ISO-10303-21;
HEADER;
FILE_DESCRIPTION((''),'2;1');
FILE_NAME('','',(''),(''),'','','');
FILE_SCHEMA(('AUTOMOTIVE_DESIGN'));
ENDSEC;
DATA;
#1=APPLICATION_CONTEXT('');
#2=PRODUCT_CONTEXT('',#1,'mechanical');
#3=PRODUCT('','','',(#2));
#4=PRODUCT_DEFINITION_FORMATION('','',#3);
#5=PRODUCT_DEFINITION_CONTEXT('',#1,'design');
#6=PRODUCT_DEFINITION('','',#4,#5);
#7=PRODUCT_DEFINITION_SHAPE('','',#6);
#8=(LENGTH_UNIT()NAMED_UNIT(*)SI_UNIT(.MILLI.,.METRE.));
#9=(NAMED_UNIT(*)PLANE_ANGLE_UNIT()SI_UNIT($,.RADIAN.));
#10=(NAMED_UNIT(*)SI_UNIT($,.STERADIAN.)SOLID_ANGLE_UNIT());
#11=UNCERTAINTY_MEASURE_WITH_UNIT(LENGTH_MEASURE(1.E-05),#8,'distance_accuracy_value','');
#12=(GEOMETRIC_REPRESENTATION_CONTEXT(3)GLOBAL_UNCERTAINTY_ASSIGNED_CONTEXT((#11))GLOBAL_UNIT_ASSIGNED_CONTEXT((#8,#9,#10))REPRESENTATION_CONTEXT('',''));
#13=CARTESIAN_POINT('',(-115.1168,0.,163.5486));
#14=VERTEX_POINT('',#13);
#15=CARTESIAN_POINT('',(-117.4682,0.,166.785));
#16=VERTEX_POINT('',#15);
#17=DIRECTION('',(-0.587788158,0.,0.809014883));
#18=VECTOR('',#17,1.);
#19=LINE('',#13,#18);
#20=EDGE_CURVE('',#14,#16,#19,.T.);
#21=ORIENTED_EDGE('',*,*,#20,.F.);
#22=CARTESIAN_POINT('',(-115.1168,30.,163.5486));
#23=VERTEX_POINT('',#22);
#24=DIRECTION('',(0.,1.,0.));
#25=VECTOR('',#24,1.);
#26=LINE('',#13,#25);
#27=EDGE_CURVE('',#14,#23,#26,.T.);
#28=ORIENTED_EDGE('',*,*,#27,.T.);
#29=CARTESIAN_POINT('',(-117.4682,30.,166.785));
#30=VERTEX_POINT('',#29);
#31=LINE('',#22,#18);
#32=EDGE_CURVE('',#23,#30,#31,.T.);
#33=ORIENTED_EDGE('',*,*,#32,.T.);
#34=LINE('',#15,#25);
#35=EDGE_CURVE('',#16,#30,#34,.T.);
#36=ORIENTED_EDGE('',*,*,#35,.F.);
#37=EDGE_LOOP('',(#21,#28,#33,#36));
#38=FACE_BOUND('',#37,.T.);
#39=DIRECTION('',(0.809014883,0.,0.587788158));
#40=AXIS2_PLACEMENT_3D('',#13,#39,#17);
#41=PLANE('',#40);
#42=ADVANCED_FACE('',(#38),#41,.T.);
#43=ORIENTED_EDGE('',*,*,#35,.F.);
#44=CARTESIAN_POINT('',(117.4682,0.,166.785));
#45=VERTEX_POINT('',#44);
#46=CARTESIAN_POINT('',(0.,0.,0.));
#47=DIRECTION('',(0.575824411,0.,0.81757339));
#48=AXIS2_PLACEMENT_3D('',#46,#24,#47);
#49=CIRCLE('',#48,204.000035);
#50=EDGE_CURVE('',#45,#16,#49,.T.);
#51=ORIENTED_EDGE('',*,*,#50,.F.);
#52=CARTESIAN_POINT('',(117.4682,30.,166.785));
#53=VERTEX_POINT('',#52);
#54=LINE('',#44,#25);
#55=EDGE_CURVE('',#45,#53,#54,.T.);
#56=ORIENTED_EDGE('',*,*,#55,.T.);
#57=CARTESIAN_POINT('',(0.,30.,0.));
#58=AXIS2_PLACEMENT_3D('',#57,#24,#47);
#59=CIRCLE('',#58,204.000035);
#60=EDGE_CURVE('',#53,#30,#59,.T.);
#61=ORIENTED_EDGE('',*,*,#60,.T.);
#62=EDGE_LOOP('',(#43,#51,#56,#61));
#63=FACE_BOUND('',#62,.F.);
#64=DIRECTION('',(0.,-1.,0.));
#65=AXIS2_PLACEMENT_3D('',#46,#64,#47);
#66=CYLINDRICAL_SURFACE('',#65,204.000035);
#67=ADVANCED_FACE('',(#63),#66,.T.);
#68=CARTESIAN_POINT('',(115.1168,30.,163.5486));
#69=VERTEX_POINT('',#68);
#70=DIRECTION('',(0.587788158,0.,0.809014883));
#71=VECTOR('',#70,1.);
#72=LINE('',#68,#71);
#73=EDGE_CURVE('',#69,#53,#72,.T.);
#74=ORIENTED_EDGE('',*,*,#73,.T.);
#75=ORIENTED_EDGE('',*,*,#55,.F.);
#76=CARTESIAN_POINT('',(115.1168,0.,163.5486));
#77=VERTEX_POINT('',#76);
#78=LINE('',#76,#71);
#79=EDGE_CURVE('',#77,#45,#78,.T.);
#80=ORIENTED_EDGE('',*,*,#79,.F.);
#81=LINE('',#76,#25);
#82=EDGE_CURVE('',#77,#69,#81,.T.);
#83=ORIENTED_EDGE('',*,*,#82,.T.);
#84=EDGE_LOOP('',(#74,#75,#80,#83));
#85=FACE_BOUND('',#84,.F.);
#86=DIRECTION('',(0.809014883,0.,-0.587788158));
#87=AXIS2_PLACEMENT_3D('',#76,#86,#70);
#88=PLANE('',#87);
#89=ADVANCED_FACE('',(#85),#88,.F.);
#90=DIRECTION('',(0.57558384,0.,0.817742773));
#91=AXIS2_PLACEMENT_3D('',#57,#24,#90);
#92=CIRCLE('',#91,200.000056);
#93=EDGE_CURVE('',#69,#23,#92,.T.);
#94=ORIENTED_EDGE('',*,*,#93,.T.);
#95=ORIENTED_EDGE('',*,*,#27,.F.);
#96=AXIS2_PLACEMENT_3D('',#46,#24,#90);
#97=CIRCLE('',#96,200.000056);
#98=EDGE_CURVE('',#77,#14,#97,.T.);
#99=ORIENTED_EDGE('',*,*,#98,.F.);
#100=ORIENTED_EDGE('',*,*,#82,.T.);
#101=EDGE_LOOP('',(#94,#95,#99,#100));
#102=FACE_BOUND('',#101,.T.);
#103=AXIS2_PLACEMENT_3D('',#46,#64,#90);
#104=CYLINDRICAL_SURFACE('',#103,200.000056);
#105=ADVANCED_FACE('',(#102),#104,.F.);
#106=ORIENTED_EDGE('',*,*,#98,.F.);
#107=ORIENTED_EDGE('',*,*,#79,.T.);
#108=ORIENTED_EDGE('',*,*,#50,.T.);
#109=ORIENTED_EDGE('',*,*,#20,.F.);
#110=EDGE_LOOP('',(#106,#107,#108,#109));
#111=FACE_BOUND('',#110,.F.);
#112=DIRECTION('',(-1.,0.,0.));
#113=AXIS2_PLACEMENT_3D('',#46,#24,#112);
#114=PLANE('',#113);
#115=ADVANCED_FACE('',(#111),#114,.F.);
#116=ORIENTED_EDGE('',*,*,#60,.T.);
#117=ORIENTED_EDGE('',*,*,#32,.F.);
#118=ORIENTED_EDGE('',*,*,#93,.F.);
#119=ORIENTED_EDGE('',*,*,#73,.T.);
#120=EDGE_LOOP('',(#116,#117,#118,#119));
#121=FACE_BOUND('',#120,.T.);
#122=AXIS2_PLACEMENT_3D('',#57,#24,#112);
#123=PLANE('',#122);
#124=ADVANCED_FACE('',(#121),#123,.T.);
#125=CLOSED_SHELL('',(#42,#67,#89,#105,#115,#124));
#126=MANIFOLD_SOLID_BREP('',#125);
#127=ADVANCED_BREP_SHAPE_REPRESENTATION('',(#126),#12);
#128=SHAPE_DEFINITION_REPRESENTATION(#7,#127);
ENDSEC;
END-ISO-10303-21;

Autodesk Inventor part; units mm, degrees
ref_plane "YZ Plane" through (0, 0, 0) normal (1, 0, 0) x (0, 1, 0)
ref_plane "XZ Plane" through (0, 0, 0) normal (0, 1, 0) x (-1, 0, 0)
ref_plane "XY Plane" through (0, 0, 0) normal (0, 0, 1) x (1, 0, 0)
sketch "Sketch1" plane through (0, 0, 0) normal (0, 1, 0) x (-1, 0, 0)
  arc A0 (-115.1168, 163.5486) -> (115.1168, 163.5486) centre (0, 0) ccw
  arc A1 (-117.4682, 166.785) -> (117.4682, 166.785) centre (0, 0) ccw
  line L0 (115.1168, 163.5486) -> (117.4682, 166.785)
  line L1 (-115.1168, 163.5486) -> (-117.4682, 166.785)
  dimension "d0" = 400
  dimension "d20" = 408
extrude "Extrusion1" add sketch "Sketch1" along normal blind 30
equation "\"BendRadius\" = Thickness"
equation "\"BendReliefWidth\" = Thickness"
equation "\"BendReliefDepth\" = 0.5 * Thickness"
equation "\"CornerReliefSize\" = 4 * Thickness"
equation "\"MinimumRemnant\" = 2 * Thickness"
equation "\"TransitionRadius\" = BendRadius"
equation "\"JacobiRadiusSize\" = BendRadius"
equation "\"GapSize\" = Thickness"
equation "\"Thickness\" = 0.5"
properties part number "Banding Base" material "Wood (Maple)"
